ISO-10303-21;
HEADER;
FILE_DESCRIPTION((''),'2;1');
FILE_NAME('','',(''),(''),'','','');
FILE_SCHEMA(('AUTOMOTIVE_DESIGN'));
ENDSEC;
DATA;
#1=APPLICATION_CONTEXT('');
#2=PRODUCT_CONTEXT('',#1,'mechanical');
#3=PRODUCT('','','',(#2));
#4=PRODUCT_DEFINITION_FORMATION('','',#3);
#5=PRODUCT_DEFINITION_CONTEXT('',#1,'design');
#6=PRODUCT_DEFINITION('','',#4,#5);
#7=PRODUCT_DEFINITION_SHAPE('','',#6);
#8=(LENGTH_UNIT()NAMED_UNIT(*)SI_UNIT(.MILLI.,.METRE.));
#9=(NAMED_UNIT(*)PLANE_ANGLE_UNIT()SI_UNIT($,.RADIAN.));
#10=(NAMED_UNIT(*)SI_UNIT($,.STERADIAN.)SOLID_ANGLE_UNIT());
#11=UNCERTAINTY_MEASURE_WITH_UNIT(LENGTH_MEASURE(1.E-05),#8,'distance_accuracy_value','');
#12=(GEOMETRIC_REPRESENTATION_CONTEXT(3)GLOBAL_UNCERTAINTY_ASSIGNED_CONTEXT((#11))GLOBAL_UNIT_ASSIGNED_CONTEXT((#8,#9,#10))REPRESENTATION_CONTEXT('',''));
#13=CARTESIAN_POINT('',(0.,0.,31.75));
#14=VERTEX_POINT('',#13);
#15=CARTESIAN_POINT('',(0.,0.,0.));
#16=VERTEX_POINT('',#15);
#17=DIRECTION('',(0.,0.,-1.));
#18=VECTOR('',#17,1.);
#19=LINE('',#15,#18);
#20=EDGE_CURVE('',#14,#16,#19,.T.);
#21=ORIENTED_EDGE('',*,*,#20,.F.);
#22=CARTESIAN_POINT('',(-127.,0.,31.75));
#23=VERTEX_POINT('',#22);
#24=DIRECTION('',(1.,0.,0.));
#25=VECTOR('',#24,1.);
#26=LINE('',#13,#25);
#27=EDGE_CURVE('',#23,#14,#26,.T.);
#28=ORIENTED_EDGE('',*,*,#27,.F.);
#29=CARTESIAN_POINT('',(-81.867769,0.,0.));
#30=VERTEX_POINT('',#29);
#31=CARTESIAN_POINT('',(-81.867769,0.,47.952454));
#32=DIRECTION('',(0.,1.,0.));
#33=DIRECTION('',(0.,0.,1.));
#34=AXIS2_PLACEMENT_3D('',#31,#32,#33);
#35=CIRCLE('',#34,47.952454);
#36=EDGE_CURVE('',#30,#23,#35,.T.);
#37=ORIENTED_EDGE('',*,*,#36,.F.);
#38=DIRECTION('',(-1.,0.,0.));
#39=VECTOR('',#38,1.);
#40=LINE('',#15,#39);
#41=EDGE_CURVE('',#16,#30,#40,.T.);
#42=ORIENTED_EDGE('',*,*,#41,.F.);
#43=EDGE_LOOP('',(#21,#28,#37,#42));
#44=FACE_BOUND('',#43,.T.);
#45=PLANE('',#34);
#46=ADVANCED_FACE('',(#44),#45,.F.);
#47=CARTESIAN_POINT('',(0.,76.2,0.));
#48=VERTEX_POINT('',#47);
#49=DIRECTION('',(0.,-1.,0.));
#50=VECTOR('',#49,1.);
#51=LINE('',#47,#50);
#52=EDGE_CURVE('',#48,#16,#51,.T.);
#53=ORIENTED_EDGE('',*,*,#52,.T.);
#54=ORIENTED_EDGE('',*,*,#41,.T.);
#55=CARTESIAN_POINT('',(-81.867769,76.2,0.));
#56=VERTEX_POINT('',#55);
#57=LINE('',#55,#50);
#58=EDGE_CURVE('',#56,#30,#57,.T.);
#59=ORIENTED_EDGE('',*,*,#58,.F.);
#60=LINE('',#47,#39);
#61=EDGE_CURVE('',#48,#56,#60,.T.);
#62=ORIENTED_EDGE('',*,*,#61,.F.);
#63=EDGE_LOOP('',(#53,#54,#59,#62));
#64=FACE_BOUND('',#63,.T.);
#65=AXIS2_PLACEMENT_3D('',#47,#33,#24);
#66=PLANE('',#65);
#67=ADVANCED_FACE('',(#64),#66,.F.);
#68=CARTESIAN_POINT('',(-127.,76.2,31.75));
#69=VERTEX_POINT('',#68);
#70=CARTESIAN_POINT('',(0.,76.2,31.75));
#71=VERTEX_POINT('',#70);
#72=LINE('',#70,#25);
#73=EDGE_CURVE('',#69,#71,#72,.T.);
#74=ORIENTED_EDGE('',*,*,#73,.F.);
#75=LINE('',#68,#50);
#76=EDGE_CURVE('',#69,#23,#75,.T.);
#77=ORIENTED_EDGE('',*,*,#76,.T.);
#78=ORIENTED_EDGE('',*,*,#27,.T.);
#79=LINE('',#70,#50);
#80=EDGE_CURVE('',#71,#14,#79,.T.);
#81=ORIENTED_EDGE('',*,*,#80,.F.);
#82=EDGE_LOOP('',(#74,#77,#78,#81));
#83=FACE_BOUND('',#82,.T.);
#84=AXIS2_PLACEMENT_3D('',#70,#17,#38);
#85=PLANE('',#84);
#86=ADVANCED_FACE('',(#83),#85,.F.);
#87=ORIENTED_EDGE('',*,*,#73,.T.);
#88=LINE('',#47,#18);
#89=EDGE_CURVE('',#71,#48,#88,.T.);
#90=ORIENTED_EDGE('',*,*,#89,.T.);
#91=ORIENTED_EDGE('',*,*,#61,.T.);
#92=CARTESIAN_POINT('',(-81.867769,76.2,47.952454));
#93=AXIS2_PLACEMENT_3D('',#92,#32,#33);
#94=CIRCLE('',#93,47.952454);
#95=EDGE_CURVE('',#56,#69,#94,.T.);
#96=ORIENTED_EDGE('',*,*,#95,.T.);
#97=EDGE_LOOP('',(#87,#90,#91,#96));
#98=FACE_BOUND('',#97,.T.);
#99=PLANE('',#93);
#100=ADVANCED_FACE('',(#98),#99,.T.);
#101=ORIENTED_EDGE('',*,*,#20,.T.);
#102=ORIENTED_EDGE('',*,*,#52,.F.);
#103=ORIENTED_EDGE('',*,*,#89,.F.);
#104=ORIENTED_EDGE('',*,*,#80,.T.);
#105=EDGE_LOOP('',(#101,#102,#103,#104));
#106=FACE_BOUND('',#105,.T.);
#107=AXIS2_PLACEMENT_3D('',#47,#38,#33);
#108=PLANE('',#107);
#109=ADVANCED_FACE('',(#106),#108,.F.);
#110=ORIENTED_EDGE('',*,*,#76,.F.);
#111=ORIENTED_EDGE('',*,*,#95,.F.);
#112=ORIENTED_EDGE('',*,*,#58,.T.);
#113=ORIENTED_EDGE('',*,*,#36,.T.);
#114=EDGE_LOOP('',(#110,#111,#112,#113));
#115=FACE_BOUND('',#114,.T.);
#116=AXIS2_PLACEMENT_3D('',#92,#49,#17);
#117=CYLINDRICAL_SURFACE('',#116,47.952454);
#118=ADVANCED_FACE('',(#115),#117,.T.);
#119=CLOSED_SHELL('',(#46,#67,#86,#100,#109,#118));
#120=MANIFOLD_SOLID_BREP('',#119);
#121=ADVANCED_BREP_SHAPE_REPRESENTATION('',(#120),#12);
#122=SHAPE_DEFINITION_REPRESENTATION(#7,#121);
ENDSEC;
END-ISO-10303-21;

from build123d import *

# Parameters (mm, degrees)
BOSS_EXTRUDE1_DEPTH = 76.2


with BuildPart() as part:
    # Sketch1 → Boss-Extrude1 (new body)
    with BuildSketch(Plane(origin=(0, 0, 0), x_dir=(1, 0, 0), z_dir=(0, 1, 0))):
        with BuildLine():
            Line((0, 0), (0, -31.75))
            Line((0, -31.75), (-127, -31.75))
            ThreePointArc((-127, -31.75), (-109.458440984, -8.732654957), (-81.867768595, 0))
            Line((-81.867768595, 0), (0, 0))
        make_face()
    extrude(amount=BOSS_EXTRUDE1_DEPTH)


solid = part.part
